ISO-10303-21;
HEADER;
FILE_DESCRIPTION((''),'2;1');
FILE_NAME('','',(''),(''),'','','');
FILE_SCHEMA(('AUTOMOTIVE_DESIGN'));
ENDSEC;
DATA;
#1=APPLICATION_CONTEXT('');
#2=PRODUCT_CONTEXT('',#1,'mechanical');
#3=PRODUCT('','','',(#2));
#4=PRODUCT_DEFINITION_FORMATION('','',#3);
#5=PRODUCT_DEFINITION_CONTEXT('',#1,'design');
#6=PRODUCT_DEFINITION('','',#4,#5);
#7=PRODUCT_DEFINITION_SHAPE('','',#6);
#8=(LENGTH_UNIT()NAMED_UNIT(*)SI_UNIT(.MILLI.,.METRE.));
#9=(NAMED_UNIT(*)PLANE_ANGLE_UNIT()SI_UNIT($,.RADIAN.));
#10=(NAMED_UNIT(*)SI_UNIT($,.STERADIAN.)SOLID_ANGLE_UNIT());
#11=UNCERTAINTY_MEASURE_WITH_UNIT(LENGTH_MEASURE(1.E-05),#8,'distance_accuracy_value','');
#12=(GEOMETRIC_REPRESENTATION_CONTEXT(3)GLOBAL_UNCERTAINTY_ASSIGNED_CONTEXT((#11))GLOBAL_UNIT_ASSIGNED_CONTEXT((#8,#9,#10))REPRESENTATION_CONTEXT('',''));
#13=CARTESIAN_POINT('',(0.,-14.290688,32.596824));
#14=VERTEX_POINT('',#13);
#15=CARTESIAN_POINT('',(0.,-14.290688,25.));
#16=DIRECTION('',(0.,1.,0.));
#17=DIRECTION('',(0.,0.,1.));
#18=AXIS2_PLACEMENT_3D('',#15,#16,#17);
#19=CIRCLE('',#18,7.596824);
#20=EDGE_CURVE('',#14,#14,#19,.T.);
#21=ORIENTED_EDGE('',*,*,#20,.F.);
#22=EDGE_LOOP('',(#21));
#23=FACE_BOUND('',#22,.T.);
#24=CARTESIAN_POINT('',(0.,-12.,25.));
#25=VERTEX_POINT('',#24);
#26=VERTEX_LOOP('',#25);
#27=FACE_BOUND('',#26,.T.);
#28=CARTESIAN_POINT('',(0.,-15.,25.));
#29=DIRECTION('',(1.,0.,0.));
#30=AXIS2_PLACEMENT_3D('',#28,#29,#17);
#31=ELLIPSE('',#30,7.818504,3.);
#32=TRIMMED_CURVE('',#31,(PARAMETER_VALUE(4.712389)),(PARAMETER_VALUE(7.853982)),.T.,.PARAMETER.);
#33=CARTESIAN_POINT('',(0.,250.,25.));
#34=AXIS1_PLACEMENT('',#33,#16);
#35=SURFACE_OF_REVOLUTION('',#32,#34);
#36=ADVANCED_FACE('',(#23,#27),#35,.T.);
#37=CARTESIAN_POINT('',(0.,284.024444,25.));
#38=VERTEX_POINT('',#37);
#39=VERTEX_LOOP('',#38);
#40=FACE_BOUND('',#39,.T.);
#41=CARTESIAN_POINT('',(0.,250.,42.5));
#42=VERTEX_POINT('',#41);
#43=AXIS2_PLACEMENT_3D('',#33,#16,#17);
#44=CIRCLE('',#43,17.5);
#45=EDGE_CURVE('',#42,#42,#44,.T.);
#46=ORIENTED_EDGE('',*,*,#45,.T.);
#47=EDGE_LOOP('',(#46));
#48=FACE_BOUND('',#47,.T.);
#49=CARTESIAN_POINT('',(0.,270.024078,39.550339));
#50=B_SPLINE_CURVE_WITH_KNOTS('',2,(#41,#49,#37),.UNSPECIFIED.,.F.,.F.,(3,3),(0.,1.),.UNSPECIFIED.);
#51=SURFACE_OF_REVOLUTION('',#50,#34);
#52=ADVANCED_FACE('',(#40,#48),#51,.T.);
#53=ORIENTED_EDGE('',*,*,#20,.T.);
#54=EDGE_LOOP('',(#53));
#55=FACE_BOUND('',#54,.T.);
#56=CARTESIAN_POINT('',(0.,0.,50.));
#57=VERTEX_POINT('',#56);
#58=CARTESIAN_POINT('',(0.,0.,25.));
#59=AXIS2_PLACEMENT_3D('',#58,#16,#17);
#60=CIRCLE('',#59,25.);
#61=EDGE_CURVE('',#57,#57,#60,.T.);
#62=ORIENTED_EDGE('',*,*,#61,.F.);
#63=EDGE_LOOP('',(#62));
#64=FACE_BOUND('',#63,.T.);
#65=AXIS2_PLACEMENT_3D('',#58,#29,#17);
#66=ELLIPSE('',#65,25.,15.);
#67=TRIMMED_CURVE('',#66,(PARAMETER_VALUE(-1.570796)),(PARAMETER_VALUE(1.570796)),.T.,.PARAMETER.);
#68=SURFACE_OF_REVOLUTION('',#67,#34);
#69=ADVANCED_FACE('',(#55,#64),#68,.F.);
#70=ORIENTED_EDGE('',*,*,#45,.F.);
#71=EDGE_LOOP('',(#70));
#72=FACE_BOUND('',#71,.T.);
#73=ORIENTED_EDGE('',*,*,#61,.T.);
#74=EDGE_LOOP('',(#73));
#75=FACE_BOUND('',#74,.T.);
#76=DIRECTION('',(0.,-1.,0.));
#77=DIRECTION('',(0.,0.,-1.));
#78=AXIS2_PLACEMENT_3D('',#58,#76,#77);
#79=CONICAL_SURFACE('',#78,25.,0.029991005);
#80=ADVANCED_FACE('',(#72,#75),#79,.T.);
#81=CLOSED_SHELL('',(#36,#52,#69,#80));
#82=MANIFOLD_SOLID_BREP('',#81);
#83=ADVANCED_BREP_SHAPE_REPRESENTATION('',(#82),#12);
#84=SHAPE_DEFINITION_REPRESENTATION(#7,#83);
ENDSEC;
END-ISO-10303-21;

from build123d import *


with BuildPart() as part:
    # Sketch2 one side → Revolve1 (revolve)
    with BuildSketch(Plane(origin=(0, 0, 0), x_dir=(0, 0, -1), z_dir=(1, 0, 0))):
        with BuildLine():
            add(Edge.make_bspline(
                [(-25, -12), (-31.144124528, -12), (-32.596824153, -14.290688388)],
                knots=[4.71238898, 4.71238898, 4.71238898, 6.044487862, 6.044487862, 6.044487862], degree=2, weights=[1, 0.786268785, 1]))
            Line((-25, -12), (-25, 250))
            Line((-25, 250), (-25, 284.024444444))
            add(Edge.make_bspline(
                [(-42.5, 250), (-39.550338865, 270.024077661), (-25, 284.024444444)],
                knots=[0, 0, 0, 1, 1, 1], degree=2))
            Line((-42.5, 250), (-50, 0))
            add(Edge.make_bspline(
                [(-50, 0), (-50, -10.960184588), (-32.596824153, -14.290688388)],
                knots=[0, 0, 0, 1.262041095, 1.262041095, 1.262041095], degree=2, weights=[1, 0.807425837, 1]))
        make_face()
    revolve(axis=Axis((0, 250, 25), (0, -1, 0)))


solid = part.part
